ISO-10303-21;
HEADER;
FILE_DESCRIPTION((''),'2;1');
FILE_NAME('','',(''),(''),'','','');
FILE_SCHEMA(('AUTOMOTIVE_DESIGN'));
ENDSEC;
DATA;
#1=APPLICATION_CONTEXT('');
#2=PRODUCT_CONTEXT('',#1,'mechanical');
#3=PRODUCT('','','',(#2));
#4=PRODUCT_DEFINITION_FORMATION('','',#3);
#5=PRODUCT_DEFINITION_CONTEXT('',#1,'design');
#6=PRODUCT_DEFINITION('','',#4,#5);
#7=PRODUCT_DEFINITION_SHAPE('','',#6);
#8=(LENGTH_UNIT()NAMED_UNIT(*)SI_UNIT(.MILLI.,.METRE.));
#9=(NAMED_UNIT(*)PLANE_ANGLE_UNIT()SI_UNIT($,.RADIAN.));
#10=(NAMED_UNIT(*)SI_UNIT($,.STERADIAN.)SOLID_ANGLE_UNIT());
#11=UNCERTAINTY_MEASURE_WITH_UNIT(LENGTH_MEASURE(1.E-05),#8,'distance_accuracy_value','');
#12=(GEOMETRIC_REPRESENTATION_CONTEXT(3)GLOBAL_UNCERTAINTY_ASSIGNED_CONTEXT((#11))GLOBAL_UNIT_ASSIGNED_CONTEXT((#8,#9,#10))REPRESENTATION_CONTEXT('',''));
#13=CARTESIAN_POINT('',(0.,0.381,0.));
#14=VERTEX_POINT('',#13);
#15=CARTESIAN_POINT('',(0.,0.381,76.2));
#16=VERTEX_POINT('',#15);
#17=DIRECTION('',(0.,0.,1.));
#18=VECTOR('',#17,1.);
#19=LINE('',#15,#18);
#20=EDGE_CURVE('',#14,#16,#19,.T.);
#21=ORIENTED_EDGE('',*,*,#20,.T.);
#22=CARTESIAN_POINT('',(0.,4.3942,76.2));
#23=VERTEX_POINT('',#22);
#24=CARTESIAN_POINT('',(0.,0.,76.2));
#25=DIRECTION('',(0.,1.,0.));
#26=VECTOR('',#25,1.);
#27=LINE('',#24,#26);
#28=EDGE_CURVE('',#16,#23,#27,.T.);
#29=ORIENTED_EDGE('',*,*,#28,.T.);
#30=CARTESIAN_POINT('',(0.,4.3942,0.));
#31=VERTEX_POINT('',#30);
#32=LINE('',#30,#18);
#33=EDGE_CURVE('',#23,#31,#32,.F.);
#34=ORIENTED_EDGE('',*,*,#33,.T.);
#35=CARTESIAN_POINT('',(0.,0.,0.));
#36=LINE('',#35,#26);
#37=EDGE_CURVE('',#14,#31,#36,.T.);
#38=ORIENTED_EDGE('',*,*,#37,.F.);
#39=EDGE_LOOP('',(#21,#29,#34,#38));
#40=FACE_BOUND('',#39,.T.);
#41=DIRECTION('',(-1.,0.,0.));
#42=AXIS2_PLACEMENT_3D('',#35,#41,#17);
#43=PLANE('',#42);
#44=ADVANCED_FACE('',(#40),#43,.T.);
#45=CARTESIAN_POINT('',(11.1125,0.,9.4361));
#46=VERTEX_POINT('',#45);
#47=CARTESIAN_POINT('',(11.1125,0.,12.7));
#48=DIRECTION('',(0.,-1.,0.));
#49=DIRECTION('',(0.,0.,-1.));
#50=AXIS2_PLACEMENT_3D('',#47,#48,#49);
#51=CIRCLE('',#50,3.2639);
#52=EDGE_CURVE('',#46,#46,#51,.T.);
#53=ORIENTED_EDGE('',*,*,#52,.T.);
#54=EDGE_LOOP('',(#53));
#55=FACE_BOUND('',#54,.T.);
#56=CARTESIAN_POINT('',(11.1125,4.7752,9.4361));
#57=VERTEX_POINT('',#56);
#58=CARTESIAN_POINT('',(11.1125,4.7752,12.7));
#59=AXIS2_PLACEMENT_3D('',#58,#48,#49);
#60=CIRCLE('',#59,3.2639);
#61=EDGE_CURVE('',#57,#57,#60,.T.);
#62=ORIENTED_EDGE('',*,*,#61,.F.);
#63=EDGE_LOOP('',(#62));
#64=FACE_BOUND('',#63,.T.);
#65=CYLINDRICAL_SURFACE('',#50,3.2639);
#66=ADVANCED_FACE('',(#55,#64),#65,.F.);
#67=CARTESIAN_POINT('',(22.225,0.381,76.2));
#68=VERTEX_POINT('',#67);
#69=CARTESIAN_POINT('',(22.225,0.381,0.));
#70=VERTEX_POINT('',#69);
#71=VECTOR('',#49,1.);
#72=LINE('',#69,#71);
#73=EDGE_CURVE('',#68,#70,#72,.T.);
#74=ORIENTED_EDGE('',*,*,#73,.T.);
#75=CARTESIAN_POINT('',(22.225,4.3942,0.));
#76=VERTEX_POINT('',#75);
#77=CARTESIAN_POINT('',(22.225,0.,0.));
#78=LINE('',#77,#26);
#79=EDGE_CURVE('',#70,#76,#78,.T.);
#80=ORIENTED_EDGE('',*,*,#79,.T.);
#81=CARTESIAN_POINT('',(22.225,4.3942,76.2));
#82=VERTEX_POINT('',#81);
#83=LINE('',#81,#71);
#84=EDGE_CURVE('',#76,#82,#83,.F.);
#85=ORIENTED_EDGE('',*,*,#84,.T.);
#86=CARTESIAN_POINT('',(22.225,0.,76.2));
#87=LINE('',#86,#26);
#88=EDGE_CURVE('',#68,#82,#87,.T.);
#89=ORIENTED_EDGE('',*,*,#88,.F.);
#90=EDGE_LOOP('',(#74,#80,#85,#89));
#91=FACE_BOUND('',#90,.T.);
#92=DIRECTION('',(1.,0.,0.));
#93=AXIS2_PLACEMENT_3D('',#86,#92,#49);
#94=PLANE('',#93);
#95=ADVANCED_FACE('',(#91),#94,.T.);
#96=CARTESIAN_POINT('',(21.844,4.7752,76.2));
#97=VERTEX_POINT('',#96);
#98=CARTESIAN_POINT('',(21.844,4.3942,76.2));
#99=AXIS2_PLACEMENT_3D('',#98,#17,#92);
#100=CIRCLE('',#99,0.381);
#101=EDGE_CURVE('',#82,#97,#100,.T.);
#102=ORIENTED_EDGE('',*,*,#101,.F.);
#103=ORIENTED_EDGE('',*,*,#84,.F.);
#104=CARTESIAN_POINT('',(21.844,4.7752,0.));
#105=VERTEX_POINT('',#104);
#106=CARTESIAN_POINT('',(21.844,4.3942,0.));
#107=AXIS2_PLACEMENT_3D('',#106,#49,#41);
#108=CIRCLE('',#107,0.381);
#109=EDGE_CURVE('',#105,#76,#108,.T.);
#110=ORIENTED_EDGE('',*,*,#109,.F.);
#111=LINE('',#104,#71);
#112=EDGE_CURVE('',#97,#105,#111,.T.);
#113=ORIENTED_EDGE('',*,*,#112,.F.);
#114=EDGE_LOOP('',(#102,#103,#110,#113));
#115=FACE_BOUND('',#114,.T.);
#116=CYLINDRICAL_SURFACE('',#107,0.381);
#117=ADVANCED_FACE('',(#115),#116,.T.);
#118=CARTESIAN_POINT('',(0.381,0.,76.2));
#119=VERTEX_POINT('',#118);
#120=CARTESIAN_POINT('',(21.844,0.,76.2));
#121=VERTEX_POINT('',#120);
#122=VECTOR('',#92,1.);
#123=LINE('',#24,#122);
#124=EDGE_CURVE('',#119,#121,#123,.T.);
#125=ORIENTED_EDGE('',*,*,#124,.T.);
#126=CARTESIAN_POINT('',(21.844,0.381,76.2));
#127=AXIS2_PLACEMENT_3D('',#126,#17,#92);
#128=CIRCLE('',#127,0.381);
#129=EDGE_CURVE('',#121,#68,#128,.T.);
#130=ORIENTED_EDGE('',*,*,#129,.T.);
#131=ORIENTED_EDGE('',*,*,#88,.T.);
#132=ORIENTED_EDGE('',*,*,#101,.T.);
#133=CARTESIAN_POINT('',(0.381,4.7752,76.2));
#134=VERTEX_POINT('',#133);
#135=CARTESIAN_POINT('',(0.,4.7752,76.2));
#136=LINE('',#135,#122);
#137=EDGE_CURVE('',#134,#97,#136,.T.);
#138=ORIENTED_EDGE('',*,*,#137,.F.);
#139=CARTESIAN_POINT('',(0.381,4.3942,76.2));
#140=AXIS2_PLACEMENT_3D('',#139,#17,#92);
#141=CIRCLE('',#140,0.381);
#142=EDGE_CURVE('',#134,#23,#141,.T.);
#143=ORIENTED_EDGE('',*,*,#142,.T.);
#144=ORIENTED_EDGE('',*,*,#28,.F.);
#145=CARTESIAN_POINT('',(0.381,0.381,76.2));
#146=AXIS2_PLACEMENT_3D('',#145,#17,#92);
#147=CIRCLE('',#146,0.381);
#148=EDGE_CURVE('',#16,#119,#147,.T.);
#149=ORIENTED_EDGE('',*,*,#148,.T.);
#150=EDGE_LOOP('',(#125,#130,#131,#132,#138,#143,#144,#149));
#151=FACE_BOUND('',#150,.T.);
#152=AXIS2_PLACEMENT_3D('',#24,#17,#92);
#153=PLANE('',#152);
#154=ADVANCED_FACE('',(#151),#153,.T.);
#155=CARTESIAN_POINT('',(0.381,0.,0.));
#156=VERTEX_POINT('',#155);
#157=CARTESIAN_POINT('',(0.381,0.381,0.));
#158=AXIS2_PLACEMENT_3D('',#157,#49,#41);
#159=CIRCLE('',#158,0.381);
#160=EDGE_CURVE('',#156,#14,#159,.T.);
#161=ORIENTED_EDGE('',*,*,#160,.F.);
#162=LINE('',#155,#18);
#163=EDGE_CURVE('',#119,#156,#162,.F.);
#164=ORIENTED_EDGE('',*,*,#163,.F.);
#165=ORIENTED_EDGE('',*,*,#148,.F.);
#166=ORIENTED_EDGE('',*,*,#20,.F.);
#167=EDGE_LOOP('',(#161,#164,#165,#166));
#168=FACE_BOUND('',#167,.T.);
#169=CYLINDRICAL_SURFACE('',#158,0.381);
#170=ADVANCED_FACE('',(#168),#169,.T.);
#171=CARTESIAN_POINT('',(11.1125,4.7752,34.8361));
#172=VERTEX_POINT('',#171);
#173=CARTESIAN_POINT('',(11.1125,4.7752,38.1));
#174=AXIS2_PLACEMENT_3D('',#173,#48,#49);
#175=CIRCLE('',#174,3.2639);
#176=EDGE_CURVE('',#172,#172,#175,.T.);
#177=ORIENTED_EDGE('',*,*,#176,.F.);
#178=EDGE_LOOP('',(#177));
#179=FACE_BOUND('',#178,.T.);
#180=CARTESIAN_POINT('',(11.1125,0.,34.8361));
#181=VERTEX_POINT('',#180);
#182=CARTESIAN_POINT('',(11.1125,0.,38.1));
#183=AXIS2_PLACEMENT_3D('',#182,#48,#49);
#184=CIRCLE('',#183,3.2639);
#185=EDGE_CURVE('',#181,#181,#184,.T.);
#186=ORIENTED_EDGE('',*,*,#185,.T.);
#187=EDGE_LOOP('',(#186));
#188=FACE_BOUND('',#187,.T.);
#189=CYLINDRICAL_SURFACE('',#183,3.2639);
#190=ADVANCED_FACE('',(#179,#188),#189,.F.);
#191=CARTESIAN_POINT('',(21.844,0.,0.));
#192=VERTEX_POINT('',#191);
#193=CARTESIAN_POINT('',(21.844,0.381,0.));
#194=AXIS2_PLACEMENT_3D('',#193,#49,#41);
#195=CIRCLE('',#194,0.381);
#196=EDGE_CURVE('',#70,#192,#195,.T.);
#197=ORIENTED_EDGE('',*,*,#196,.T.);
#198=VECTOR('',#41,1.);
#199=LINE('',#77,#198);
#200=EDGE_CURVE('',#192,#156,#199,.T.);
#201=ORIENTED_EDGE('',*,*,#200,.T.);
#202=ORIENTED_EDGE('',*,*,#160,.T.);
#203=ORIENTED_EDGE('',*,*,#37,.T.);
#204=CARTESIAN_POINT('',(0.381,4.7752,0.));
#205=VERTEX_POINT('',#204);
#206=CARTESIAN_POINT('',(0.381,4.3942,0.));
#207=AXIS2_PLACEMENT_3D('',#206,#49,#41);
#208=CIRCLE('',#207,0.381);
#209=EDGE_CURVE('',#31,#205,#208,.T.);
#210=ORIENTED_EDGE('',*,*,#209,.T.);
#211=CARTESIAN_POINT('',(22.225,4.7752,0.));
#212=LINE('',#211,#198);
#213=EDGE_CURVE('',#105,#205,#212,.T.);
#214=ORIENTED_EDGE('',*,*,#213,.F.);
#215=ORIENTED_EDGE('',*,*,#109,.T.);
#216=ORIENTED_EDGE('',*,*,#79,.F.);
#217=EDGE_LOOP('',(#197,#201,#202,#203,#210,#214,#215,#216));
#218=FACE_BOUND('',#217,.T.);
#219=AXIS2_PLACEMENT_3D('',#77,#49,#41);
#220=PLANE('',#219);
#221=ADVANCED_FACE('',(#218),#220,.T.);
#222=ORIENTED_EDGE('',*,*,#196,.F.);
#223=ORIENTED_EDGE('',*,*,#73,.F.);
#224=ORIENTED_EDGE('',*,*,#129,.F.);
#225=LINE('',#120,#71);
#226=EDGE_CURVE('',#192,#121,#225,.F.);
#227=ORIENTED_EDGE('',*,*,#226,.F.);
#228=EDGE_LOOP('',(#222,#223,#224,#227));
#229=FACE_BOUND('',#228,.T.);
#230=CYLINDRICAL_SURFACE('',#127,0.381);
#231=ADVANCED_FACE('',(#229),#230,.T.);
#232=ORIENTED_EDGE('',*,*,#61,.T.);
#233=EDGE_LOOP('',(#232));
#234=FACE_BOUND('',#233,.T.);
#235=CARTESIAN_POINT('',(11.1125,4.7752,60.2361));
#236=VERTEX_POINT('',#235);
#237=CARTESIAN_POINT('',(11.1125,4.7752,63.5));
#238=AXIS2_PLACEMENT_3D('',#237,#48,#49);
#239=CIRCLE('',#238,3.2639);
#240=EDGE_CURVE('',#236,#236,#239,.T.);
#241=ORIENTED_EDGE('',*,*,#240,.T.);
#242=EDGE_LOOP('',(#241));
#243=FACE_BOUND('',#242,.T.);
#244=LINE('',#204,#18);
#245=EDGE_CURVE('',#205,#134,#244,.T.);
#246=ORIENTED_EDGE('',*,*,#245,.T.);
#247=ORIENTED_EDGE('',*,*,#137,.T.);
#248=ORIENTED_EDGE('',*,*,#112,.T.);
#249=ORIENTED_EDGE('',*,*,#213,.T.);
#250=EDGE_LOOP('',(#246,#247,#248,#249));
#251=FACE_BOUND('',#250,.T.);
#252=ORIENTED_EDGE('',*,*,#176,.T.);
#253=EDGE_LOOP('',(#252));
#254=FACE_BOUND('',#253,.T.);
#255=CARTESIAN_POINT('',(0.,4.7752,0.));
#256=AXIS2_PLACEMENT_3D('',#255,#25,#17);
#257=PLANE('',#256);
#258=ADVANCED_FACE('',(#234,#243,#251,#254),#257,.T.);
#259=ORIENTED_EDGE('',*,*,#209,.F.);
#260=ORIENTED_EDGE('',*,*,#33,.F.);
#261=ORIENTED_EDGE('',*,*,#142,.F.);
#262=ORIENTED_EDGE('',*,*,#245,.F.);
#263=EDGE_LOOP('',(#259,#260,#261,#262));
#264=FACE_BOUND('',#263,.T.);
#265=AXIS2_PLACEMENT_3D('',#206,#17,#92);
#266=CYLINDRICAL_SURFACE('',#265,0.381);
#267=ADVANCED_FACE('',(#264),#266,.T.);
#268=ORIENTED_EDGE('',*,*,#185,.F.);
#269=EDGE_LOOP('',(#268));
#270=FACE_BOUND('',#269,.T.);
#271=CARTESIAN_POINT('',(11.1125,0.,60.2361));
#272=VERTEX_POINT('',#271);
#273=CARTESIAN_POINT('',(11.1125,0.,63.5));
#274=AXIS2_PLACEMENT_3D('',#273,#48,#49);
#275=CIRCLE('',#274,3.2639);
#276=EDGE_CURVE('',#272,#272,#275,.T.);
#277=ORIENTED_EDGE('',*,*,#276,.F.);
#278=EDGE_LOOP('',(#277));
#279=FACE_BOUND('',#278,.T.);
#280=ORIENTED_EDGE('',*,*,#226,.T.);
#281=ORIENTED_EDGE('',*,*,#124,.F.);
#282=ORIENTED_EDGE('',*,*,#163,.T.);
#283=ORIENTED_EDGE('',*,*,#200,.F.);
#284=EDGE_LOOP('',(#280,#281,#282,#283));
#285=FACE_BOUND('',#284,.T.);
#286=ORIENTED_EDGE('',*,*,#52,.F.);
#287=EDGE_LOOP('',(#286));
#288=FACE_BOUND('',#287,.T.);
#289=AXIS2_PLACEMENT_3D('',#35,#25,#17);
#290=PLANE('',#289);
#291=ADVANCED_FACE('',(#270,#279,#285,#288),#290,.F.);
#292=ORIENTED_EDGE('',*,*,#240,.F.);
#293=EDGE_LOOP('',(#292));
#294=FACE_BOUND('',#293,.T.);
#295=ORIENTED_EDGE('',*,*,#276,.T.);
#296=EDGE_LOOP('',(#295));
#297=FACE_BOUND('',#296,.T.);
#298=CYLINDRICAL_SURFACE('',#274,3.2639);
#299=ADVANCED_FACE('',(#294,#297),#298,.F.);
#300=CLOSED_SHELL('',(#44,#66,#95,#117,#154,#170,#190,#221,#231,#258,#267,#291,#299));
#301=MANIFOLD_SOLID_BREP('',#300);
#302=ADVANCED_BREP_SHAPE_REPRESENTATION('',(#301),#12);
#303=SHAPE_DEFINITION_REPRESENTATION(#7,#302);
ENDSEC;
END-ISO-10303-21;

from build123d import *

# Parameters (mm, degrees)
SKETCH1_W                = 22.225
SKETCH1_H                = 76.2
BOSS_EXTRUDE1_DEPTH      = 4.7752
F_0_257_DIAMETER_HOLE1_D = 6.5278
FILLET1_R                = 0.381


with BuildPart() as part:
    # Sketch1 → Boss-Extrude1 (new body)
    with BuildSketch(Plane(origin=(0, 4.7752, 0), x_dir=(1, 0, 0), z_dir=(0, 1, 0))):
        with Locations((11.1125, -38.1)):
            Rectangle(SKETCH1_W, SKETCH1_H)
    extrude(amount=-BOSS_EXTRUDE1_DEPTH)

    # F (0.257) Diameter Hole1 (through all)
    with Locations(Plane(origin=(0, 0, 0), x_dir=(-1, 0, 0), z_dir=(0, -1, 0))):
        with Locations((-11.1125, -12.7), (-11.1125, -38.1), (-11.1125, -63.5)):
            Hole(F_0_257_DIAMETER_HOLE1_D / 2)

    # Fillet1
    fillet1_edges = [part.edges().sort_by_distance(p)[0] for p in [
        (0, 0, 38.1),
        (22.225, 0, 38.1),
        (0, 4.7752, 38.1),
        (22.225, 4.7752, 38.1),
    ]]
    fillet(fillet1_edges, radius=FILLET1_R)


solid = part.part
